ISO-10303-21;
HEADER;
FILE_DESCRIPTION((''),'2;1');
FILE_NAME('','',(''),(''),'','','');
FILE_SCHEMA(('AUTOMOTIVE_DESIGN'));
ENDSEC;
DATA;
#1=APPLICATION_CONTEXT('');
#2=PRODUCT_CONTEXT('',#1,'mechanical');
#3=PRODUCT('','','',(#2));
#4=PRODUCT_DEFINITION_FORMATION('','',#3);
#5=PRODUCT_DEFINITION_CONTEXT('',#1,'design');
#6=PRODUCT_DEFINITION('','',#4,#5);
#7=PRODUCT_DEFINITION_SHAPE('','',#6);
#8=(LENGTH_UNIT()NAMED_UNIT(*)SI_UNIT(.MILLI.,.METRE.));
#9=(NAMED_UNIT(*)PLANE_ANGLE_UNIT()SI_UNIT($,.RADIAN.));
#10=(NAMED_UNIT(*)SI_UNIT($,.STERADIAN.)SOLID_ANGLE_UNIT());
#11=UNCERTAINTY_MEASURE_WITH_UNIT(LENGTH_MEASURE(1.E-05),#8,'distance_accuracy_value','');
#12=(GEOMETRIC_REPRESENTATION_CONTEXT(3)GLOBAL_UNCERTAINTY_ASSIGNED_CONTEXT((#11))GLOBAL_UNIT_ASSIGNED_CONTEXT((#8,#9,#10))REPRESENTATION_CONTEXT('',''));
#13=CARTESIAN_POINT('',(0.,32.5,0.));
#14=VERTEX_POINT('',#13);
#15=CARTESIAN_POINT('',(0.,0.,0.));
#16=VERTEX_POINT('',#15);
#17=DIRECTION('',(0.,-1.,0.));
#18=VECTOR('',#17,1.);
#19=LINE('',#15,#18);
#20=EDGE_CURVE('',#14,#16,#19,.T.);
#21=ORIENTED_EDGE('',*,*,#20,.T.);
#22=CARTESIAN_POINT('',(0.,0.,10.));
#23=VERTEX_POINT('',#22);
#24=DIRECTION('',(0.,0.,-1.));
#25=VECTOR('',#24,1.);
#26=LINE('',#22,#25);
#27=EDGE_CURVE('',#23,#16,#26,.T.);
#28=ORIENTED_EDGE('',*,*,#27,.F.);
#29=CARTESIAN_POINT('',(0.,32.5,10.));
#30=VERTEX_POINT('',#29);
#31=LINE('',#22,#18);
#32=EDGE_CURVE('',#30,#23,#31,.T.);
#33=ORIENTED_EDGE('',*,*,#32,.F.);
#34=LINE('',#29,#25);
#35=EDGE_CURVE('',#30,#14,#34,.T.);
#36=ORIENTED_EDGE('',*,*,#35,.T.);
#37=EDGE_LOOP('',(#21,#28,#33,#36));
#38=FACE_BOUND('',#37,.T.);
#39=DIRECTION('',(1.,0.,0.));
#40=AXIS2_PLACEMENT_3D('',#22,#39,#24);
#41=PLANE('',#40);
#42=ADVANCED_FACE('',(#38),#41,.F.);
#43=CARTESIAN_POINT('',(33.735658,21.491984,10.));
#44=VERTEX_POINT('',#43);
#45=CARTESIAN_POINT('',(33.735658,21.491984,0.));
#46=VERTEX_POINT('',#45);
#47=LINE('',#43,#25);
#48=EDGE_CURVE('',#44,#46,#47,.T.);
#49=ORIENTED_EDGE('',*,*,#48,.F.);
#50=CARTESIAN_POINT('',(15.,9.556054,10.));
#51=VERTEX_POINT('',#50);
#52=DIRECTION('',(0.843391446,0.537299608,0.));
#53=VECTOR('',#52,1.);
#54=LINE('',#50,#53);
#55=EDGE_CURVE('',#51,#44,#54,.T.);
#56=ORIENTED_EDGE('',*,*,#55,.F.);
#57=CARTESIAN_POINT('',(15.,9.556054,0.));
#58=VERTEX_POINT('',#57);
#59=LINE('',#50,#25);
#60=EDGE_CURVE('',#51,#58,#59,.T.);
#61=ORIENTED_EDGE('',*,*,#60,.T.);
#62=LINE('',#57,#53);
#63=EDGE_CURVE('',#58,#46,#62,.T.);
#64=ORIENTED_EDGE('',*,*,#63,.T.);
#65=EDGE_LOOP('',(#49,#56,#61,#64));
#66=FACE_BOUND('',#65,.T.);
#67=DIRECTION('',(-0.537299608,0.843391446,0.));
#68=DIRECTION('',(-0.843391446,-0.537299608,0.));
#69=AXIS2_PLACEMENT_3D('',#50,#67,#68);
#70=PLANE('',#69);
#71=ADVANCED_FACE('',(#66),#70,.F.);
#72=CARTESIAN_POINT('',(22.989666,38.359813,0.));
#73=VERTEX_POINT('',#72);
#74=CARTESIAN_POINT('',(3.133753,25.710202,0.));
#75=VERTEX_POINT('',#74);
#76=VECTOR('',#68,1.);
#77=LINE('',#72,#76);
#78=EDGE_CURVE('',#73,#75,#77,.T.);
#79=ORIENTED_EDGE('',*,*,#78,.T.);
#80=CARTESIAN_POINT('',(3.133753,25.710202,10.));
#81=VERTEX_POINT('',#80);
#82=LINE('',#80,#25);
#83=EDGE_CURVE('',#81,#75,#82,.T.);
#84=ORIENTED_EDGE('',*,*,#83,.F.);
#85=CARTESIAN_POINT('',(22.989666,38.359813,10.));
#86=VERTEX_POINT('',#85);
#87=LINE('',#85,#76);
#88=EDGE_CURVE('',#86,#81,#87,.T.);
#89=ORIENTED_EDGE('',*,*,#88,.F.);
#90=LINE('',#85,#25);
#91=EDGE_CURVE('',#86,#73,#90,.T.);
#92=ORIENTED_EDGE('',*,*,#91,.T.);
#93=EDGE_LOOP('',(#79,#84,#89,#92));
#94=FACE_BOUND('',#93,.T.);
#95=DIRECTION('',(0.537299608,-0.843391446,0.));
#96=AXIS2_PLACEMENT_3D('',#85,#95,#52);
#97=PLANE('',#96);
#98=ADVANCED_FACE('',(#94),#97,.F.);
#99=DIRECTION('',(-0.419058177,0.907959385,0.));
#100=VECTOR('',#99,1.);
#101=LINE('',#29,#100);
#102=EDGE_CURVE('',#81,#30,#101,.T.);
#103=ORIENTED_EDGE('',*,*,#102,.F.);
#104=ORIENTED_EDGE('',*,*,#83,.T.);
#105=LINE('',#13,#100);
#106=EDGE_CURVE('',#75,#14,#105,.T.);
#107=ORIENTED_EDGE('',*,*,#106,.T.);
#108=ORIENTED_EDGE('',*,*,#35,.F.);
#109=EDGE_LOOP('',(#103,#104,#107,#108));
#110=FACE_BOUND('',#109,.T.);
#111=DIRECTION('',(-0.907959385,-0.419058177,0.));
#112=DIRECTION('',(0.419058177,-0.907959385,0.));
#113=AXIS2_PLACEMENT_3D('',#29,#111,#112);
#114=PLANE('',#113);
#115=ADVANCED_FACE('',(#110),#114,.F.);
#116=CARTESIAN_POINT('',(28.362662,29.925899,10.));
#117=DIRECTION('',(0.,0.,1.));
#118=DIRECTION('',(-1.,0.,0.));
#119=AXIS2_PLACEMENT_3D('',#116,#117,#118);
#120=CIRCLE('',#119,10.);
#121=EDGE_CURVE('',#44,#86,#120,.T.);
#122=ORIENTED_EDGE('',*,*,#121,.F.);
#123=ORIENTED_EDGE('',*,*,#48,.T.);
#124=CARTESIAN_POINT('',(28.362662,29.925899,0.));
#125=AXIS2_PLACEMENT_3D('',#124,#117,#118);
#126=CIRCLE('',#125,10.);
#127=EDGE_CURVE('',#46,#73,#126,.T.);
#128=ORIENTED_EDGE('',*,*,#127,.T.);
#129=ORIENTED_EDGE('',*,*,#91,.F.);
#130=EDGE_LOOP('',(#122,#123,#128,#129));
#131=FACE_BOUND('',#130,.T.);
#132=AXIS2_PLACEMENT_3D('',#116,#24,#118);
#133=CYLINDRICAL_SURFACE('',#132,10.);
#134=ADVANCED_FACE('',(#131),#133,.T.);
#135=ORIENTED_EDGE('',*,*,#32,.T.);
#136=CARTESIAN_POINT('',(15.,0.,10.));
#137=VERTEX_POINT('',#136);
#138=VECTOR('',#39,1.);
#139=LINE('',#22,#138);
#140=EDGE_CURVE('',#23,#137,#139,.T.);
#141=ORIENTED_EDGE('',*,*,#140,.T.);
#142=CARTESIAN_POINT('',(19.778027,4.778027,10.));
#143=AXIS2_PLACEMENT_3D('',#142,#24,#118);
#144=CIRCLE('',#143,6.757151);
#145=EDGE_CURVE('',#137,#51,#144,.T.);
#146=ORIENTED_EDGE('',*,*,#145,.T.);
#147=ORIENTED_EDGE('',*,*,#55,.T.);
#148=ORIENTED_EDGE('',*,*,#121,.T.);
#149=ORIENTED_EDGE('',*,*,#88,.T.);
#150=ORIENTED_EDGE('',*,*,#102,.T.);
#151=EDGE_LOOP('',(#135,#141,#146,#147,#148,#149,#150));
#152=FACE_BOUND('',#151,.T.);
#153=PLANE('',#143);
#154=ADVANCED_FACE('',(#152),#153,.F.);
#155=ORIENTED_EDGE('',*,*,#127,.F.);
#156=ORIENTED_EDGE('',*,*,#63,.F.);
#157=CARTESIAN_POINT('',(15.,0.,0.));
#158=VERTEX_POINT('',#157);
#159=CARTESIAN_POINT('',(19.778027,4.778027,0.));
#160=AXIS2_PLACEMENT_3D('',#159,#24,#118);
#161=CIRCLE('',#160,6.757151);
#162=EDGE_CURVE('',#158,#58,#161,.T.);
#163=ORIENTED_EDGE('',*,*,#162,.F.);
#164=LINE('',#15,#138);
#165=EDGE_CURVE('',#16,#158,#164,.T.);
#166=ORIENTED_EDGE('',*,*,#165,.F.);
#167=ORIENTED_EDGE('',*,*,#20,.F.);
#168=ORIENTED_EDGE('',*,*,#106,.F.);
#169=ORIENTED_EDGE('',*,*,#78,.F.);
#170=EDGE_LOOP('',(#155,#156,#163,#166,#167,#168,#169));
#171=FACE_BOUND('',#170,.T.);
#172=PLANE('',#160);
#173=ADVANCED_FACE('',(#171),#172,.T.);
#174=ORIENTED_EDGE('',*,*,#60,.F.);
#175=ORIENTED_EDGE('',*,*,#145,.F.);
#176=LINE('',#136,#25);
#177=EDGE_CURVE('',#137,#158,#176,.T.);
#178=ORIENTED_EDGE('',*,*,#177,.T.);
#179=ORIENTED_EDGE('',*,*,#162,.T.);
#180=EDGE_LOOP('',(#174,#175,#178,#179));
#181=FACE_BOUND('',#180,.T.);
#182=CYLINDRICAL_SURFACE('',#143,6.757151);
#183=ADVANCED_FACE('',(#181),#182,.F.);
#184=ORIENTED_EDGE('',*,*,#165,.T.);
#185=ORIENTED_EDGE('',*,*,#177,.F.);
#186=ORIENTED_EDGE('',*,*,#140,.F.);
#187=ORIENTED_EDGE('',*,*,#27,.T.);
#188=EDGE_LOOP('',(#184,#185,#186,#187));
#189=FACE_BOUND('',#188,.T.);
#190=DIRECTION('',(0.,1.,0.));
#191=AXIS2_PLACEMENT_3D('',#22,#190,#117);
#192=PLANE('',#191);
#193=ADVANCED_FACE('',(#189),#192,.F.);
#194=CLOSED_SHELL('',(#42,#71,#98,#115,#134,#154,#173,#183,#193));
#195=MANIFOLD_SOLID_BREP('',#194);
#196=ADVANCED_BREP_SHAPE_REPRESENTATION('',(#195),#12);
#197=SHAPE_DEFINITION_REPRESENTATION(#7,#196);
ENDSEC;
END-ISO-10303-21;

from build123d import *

# Parameters (mm, degrees)
BOSS_EXTRUDE1_DEPTH = 10


with BuildPart() as part:
    # Sketch1 → Boss-Extrude1 (new body)
    with BuildSketch(Plane.XY):
        with BuildLine():
            Line((0, 0), (0, 32.5))
            Line((0, 32.5), (3.133753016, 25.7102018))
            Line((3.133753016, 25.7102018), (22.989665666, 38.35981325))
            ThreePointArc((22.989665666, 38.35981325), (36.796576207, 35.298894875), (33.735657833, 21.491984334))
            Line((33.735657833, 21.491984334), (15, 9.556053912))
            ThreePointArc((15, 9.556053912), (13.020876433, 4.778026956), (15, 0))
            Line((15, 0), (0, 0))
        make_face()
    extrude(amount=BOSS_EXTRUDE1_DEPTH)


solid = part.part
